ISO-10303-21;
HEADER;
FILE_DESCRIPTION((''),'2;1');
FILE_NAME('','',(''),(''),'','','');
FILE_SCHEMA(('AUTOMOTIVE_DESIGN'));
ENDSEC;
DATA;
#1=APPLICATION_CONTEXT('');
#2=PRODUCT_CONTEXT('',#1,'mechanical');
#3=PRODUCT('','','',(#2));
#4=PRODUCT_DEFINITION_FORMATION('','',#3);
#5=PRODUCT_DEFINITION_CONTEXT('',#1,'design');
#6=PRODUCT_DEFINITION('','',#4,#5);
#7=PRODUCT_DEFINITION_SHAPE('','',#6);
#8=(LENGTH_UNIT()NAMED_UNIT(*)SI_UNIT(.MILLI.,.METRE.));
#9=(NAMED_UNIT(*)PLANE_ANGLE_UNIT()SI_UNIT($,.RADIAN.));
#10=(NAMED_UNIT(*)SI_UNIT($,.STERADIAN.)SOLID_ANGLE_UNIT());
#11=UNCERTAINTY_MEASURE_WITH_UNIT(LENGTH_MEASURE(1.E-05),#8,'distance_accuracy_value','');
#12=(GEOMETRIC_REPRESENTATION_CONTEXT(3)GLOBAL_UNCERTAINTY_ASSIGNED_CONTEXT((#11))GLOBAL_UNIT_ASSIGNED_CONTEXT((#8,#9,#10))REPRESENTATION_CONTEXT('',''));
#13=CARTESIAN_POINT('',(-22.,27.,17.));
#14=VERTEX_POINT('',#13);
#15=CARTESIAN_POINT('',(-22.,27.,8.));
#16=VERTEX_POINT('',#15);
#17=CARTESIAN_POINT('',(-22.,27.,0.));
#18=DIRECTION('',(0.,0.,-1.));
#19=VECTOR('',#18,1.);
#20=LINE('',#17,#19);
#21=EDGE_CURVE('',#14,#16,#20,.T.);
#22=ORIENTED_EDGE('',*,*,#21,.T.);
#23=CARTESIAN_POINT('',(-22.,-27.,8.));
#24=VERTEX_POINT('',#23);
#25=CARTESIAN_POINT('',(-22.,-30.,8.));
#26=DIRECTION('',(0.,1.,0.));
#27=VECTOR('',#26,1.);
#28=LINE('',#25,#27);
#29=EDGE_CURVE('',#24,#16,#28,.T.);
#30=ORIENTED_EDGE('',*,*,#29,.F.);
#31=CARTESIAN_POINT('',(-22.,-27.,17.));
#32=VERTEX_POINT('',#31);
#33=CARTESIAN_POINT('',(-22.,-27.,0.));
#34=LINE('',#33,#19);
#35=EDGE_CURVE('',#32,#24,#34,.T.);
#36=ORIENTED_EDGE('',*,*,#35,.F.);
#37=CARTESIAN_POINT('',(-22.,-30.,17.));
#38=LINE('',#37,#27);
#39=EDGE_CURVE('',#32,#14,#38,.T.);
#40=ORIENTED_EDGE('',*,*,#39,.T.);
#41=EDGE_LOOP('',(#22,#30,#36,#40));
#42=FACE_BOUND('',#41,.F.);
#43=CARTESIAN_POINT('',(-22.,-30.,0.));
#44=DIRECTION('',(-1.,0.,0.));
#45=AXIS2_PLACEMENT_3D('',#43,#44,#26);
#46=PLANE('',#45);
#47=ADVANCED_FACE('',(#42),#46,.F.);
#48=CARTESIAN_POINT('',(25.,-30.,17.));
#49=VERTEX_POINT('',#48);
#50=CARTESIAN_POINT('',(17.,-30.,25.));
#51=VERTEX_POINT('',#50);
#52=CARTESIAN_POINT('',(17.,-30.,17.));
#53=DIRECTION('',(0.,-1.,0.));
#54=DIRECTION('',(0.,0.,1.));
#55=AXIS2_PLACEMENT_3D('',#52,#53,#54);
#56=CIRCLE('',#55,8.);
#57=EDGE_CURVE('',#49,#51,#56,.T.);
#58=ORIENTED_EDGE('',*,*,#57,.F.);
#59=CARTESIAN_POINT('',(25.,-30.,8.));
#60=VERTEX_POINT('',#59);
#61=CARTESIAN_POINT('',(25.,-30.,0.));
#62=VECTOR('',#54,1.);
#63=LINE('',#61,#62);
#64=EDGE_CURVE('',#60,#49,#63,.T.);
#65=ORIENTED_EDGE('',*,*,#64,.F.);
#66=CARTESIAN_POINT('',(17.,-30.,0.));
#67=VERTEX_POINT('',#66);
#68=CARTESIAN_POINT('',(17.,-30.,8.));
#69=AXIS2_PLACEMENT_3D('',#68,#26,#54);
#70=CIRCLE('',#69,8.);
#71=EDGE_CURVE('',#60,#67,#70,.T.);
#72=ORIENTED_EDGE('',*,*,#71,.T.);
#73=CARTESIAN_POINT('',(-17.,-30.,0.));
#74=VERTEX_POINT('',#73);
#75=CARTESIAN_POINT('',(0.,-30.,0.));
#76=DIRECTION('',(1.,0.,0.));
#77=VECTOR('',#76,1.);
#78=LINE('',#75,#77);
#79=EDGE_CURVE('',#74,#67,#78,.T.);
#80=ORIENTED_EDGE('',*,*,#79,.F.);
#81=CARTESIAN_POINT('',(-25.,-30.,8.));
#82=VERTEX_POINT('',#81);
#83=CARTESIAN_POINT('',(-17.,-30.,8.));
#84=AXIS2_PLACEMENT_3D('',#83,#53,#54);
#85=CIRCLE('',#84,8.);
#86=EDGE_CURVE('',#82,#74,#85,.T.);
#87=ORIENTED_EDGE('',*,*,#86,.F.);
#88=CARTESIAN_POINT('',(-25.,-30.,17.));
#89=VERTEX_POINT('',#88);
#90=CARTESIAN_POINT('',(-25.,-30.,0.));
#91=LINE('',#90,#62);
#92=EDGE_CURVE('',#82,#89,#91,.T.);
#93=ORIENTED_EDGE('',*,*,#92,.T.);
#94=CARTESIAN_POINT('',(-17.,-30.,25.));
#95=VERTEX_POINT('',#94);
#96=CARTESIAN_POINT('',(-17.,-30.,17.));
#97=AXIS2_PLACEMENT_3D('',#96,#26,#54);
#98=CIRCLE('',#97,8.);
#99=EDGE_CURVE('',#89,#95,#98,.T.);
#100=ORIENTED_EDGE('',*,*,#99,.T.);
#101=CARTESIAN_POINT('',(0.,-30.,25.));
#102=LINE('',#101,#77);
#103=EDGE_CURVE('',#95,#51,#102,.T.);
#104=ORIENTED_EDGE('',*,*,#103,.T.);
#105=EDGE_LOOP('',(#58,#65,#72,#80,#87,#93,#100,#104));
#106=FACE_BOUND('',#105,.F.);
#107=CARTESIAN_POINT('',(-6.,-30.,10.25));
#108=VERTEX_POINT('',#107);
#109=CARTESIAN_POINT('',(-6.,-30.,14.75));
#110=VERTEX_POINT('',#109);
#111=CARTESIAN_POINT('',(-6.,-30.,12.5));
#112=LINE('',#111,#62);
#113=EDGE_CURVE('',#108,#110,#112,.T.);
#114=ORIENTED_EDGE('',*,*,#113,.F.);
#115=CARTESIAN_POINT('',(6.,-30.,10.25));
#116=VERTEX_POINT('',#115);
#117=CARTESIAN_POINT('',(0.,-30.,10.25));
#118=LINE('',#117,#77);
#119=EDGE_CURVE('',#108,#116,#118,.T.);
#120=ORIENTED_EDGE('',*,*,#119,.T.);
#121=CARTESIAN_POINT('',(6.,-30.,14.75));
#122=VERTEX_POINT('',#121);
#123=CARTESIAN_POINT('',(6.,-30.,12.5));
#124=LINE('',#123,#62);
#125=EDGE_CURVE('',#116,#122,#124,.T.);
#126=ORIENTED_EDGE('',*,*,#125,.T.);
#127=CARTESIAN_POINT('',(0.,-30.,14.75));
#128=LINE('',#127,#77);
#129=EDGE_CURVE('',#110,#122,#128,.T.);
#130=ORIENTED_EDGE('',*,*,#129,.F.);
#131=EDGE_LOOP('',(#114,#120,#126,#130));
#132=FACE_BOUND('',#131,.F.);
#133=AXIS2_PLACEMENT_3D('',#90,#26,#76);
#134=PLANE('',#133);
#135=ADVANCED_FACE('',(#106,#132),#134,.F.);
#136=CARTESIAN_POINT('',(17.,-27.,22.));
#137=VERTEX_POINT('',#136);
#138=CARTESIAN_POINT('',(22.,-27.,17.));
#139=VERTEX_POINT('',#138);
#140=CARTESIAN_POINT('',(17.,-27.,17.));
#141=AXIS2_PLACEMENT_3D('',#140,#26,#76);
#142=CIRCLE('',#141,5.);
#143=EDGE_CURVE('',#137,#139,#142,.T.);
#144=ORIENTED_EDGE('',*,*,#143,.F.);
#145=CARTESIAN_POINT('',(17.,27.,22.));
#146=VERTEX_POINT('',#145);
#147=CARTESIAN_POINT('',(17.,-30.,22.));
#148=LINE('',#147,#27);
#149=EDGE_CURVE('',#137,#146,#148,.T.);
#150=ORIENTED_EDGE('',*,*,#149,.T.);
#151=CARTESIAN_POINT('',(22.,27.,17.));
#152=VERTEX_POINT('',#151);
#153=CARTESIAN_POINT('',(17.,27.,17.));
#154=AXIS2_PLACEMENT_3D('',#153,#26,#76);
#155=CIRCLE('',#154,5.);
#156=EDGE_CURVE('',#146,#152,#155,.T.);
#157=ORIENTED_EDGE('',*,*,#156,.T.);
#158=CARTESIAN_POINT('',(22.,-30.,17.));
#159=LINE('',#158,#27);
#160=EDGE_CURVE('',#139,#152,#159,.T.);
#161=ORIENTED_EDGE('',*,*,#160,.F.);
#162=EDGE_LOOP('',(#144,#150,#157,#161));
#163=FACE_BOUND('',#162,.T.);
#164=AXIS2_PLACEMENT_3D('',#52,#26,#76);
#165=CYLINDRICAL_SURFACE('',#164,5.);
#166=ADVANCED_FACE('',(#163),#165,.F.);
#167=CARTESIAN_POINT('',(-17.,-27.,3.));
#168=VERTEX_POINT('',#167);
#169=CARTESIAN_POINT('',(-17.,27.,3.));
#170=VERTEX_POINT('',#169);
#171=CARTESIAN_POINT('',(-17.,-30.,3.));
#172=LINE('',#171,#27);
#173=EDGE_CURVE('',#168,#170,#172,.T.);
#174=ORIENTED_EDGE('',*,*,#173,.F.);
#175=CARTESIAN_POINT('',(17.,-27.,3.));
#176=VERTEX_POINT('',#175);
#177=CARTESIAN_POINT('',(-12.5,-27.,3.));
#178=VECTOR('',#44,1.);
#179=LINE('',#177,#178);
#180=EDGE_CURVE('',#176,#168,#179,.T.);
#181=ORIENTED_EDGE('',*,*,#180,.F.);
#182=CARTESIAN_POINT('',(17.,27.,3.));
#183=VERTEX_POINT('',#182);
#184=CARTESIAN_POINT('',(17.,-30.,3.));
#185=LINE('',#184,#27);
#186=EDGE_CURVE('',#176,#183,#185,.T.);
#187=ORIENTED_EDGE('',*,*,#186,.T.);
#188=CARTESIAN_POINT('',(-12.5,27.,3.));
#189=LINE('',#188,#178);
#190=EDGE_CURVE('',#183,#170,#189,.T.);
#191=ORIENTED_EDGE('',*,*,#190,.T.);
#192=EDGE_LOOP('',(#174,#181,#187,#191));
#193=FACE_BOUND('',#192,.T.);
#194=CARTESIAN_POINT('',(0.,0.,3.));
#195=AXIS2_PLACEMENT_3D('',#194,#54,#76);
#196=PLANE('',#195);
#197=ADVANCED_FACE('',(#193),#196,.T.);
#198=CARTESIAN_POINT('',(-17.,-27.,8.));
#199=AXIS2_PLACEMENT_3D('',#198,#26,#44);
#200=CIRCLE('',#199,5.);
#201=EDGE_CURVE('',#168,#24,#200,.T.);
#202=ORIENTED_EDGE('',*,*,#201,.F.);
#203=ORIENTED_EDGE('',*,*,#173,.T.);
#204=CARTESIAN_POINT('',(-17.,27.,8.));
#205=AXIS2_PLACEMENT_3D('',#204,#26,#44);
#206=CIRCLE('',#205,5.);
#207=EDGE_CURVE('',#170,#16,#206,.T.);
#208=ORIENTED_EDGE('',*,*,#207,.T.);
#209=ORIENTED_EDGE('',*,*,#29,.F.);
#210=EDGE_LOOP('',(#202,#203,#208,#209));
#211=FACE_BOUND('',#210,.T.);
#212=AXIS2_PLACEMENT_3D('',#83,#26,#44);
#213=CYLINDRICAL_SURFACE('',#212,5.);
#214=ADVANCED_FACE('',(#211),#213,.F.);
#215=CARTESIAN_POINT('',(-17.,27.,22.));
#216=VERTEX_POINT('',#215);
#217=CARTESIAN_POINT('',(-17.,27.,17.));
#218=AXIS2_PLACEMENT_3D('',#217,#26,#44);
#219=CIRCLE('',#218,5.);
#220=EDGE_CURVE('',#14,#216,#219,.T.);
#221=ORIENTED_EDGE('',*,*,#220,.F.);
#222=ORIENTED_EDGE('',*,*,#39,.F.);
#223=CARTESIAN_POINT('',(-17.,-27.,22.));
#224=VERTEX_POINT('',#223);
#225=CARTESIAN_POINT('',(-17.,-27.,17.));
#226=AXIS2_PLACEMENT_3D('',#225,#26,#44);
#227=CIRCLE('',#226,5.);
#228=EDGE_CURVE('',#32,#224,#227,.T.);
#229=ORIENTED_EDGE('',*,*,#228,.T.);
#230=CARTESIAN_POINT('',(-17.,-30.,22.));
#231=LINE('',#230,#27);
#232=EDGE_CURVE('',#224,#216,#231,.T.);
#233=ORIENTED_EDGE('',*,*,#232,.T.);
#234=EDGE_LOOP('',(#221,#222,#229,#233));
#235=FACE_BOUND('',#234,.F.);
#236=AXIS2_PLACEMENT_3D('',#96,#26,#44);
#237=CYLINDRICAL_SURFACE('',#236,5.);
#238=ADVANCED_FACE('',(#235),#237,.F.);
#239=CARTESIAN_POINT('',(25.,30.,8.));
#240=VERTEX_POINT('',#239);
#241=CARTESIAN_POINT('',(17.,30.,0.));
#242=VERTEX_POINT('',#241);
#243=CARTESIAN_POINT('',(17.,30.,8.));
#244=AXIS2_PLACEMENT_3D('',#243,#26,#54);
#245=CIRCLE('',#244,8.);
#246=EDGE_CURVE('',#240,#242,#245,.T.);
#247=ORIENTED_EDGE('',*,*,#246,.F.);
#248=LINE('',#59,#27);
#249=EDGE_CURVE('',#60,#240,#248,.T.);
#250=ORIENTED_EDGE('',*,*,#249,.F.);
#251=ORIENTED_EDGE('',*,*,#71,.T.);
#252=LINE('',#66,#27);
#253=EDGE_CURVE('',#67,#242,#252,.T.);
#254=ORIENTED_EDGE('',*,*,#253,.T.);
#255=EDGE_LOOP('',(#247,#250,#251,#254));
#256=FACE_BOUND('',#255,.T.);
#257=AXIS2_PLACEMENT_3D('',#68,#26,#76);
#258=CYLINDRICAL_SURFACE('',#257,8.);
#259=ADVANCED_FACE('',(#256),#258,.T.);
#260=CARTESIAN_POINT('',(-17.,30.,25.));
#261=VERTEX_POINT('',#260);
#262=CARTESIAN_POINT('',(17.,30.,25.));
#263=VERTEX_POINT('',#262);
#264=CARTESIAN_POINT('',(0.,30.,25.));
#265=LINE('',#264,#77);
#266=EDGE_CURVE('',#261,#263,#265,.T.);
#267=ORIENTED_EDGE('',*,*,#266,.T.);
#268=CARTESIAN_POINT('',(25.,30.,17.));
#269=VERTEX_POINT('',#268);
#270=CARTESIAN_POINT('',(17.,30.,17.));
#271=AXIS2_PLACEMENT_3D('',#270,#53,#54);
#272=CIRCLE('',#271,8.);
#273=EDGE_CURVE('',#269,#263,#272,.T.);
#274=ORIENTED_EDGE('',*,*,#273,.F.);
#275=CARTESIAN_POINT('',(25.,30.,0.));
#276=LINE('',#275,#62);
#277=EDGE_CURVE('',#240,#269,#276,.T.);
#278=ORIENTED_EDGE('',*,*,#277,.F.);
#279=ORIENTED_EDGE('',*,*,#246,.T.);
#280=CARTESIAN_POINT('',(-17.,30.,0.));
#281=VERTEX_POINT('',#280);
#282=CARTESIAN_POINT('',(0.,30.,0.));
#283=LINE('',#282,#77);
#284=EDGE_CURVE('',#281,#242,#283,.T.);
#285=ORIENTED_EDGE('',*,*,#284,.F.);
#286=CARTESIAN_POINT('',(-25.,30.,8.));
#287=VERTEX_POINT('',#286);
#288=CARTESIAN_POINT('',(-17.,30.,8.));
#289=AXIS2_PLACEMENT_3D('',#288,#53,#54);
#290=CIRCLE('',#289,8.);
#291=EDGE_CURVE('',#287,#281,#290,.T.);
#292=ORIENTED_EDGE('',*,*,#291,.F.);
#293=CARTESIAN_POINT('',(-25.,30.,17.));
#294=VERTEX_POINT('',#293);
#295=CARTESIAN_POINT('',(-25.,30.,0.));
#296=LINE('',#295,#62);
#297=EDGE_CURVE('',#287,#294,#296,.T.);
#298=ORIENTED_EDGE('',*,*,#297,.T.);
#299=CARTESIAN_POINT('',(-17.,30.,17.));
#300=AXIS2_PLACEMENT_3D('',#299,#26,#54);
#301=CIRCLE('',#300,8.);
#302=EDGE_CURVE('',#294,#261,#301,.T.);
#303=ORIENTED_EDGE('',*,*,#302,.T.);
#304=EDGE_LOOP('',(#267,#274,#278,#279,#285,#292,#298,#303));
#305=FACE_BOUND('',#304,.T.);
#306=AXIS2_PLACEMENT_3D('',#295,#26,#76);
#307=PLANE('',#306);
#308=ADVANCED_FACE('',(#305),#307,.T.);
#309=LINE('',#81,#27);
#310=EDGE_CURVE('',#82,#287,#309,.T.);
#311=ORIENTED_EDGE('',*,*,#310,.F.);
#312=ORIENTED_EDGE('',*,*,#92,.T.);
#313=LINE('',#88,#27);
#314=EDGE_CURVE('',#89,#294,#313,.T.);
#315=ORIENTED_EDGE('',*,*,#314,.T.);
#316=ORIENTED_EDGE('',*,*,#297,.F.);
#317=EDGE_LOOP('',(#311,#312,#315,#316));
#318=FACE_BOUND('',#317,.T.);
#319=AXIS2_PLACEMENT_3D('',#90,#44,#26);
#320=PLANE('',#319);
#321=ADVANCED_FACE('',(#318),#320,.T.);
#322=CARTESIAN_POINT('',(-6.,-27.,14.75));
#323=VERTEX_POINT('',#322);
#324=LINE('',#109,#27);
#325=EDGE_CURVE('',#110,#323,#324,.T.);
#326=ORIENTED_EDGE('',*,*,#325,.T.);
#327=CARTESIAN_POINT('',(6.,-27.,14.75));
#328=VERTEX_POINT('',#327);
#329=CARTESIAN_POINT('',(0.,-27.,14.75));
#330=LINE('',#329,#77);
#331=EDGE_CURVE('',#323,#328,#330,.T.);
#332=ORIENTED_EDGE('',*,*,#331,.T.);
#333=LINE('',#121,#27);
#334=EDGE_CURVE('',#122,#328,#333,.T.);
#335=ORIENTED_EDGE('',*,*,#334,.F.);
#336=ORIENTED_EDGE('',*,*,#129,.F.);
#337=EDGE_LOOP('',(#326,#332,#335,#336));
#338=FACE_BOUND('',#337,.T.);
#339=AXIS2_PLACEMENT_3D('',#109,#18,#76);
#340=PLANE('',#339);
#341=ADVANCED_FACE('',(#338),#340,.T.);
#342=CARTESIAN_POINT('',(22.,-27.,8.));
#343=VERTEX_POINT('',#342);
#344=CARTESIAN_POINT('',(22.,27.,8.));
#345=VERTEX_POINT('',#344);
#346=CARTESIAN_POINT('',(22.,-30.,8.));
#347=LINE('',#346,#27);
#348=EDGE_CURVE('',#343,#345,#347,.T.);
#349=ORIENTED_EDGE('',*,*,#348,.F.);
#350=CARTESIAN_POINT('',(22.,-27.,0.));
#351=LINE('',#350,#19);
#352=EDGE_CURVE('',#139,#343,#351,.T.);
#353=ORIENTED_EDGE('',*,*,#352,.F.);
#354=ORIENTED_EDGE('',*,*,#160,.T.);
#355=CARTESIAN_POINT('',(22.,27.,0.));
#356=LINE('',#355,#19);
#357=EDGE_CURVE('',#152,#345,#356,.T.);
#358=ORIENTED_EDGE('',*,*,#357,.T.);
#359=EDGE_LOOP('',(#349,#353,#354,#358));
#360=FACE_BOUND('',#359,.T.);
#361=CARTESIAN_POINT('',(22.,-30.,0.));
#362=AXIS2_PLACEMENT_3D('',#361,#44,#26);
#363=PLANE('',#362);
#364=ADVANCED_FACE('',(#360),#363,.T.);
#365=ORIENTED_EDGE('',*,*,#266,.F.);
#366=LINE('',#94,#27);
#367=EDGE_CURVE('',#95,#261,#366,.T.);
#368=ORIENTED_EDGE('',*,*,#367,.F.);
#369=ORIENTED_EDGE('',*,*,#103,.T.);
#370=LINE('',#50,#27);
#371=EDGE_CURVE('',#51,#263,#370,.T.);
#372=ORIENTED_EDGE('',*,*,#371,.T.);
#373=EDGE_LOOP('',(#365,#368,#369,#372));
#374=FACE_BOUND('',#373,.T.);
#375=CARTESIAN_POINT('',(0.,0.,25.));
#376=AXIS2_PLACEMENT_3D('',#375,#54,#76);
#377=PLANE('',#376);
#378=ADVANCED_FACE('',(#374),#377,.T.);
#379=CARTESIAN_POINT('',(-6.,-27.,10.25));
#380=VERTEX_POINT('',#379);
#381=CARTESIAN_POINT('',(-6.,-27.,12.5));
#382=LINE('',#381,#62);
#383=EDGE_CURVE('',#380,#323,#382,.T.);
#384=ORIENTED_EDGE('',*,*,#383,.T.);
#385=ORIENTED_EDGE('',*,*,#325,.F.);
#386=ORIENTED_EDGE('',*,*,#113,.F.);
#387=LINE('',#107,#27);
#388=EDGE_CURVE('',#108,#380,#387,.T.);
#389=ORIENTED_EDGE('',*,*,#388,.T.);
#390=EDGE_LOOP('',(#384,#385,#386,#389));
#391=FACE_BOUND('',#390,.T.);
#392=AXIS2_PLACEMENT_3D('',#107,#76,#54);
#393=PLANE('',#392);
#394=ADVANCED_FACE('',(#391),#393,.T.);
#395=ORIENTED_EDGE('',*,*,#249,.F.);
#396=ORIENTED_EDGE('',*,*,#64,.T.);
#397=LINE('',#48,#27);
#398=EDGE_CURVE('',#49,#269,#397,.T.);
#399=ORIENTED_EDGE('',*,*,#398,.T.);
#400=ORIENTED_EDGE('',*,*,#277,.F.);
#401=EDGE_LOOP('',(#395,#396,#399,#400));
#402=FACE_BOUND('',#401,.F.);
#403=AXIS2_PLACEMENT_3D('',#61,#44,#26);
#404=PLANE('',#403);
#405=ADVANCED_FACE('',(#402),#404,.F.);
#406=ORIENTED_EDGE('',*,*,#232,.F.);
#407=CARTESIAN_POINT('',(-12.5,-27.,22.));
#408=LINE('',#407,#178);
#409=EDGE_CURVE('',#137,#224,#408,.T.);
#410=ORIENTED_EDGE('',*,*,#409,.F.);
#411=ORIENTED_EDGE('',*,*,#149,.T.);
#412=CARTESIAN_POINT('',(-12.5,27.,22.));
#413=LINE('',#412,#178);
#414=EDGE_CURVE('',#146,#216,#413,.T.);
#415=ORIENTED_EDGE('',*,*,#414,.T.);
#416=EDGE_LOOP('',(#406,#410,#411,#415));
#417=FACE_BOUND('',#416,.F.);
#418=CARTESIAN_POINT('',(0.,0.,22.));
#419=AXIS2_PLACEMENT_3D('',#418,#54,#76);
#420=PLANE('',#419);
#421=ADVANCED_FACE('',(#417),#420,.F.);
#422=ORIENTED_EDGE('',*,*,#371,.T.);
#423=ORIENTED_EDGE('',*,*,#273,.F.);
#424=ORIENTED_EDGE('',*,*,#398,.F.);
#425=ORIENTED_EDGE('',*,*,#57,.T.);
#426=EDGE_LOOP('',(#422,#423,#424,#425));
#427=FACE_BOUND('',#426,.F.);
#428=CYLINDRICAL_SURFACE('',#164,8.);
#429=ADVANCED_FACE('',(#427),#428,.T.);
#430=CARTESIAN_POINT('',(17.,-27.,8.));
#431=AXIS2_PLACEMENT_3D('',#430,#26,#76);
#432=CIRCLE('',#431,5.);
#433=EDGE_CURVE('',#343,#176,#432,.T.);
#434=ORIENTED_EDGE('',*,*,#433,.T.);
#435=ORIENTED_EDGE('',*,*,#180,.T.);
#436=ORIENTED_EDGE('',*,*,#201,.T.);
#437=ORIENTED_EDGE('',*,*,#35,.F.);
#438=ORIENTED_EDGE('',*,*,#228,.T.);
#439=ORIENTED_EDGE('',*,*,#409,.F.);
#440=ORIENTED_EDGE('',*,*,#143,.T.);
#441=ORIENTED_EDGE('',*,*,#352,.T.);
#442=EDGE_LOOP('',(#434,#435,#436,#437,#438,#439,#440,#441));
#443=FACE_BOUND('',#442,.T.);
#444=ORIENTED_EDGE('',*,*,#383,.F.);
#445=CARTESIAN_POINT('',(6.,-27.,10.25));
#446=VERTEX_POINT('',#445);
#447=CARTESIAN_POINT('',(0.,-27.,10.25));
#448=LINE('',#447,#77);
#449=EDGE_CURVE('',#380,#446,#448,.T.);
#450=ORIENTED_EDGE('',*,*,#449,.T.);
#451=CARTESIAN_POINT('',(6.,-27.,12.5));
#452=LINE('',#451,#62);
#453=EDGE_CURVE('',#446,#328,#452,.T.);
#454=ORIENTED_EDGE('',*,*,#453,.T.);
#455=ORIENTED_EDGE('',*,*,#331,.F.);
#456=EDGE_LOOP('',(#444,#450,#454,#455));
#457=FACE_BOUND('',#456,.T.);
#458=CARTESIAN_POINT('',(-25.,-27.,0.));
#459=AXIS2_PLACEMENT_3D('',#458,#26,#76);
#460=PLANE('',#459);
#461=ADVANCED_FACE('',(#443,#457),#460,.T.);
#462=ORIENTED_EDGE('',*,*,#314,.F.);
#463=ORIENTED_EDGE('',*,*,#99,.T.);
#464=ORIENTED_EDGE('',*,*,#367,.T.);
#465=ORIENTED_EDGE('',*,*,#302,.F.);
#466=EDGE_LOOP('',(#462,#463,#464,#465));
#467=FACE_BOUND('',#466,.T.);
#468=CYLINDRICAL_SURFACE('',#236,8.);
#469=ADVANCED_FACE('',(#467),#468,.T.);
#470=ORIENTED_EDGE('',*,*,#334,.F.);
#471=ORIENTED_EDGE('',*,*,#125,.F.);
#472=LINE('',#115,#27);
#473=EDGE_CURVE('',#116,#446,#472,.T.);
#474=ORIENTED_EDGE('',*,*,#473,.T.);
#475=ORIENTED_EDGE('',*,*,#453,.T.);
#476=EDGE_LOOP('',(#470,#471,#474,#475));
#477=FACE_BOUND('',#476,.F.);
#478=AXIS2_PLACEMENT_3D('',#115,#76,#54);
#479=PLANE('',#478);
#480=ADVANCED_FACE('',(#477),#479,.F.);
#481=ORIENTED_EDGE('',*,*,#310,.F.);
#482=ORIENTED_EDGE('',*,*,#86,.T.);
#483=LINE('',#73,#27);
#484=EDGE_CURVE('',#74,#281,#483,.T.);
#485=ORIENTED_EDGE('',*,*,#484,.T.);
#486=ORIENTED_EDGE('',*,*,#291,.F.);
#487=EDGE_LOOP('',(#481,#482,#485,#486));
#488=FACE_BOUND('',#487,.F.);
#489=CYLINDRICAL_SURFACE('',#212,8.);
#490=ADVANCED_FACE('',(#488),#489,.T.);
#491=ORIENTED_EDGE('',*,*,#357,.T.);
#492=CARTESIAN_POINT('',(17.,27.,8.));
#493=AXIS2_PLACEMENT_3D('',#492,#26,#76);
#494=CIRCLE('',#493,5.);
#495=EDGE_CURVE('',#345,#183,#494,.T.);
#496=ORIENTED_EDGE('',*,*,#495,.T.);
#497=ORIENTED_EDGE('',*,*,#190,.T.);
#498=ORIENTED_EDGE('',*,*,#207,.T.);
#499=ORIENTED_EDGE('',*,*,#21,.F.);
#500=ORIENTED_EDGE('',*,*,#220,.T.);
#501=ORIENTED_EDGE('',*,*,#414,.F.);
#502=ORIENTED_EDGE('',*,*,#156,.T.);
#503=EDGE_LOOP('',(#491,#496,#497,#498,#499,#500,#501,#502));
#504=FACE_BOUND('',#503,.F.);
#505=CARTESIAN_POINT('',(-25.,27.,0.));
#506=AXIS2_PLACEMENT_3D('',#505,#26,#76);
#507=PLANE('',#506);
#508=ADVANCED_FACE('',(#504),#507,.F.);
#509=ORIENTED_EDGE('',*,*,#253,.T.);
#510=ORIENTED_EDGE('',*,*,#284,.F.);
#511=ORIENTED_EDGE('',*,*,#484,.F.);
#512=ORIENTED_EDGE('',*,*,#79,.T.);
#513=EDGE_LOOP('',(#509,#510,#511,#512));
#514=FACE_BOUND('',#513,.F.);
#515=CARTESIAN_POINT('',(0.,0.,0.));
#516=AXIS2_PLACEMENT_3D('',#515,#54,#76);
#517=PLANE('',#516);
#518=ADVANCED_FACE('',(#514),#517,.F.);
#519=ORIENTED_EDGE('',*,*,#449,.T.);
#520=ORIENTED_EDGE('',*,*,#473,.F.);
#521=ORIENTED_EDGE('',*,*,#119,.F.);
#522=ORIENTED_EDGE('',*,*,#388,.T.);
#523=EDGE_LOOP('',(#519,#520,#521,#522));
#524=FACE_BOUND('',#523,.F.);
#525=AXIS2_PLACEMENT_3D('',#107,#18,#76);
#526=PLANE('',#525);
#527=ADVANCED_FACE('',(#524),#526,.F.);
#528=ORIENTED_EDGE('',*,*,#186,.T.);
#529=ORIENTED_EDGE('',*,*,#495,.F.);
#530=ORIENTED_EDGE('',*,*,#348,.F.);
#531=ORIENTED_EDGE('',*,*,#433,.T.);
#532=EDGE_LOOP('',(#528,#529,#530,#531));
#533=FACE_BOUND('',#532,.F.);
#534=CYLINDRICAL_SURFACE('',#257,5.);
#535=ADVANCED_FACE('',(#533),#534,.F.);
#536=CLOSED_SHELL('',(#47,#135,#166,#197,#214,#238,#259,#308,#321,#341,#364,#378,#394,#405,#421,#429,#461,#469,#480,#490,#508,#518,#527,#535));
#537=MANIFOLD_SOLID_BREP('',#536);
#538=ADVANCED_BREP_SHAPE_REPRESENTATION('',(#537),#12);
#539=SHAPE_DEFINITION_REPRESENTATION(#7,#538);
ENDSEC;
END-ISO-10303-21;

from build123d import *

# Parameters (mm, degrees)
F0_W     = 50
F0_H     = 60
F1_DEPTH = 25
F2_R     = 8
F3_T     = -3
F4_W     = 12
F4_H     = 4.5
F5_DEPTH = 3


with BuildPart() as f1:
    # F0 (on Top) → F1 (new body)
    with BuildSketch(Plane.XY):
        Rectangle(F0_W, F0_H)
    extrude(amount=F1_DEPTH)

    # F2
    f2_edges = [f1.edges().sort_by_distance(p)[0] for p in [
        (25, 0, 25),
        (25, 0, 0),
        (-25, 0, 0),
        (-25, 0, 25),
    ]]
    fillet(f2_edges, radius=F2_R)

    # F3 (hollow: no face is removed)
    offset(amount=F3_T, mode=Mode.SUBTRACT)

    # F4 (on face) → F5 (cut)
    with BuildSketch(Plane.XZ.offset(30)):
        with Locations((0, 12.5)):
            Rectangle(F4_W, F4_H)
    extrude(amount=-F5_DEPTH, mode=Mode.SUBTRACT)


solid = f1.part
